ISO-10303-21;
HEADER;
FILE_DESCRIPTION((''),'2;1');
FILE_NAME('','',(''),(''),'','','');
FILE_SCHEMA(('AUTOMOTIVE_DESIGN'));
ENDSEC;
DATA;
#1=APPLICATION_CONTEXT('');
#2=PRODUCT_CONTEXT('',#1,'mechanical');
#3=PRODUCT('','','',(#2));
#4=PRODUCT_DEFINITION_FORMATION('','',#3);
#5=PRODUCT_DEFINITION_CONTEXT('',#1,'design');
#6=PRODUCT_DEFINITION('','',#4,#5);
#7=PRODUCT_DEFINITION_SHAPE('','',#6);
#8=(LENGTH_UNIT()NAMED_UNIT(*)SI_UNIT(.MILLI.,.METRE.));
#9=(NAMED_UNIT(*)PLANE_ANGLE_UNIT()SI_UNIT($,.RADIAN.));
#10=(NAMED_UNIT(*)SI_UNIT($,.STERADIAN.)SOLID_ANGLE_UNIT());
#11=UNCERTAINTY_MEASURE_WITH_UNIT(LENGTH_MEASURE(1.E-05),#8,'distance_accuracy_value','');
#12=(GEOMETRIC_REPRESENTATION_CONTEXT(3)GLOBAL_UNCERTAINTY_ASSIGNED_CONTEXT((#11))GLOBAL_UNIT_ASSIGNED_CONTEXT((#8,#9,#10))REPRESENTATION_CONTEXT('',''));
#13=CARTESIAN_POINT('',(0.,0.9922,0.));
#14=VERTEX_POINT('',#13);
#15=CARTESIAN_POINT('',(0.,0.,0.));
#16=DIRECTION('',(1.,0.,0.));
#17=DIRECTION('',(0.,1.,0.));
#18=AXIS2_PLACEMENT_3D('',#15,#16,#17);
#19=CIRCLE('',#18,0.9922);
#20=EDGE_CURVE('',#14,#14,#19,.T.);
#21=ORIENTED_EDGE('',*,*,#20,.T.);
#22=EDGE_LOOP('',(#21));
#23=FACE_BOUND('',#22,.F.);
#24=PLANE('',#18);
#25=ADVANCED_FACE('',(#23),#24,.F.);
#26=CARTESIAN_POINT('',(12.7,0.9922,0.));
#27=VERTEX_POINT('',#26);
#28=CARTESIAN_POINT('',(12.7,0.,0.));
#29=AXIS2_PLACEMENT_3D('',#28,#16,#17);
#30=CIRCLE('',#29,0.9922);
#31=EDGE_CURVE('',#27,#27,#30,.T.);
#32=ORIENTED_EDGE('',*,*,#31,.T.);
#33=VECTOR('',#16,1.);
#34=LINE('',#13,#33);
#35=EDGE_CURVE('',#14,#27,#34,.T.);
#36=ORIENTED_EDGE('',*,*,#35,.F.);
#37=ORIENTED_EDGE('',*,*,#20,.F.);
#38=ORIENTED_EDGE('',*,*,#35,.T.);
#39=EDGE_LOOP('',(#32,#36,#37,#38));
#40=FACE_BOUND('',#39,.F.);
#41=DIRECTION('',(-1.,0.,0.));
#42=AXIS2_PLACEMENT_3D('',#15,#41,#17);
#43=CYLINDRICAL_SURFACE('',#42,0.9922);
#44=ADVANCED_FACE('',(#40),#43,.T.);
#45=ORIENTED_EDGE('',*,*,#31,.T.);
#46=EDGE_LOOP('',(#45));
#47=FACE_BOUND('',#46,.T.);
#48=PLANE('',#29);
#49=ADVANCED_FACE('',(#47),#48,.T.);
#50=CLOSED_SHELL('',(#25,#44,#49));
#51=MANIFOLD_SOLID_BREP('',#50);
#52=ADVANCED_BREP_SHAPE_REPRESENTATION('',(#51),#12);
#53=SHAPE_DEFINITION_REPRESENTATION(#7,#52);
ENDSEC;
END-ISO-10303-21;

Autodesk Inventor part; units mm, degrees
ref_plane "YZ Plane" through (0, 0, 0) normal (1, 0, 0) x (0, 1, 0)
ref_plane "XZ Plane" through (0, 0, 0) normal (0, 1, 0) x (-1, 0, 0)
ref_plane "XY Plane" through (0, 0, 0) normal (0, 0, 1) x (1, 0, 0)
sketch "Sketch1" plane through (0, 0, 0) normal (1, 0, 0) x (0, 1, 0)
  circle A0 centre (0, 0) radius 0.9922
  dimension "d0" = 1.9844
extrude "Extrusion1" add sketch "Sketch1" along normal blind 12.7
properties part number "Crankshaft Engine Shaft"
